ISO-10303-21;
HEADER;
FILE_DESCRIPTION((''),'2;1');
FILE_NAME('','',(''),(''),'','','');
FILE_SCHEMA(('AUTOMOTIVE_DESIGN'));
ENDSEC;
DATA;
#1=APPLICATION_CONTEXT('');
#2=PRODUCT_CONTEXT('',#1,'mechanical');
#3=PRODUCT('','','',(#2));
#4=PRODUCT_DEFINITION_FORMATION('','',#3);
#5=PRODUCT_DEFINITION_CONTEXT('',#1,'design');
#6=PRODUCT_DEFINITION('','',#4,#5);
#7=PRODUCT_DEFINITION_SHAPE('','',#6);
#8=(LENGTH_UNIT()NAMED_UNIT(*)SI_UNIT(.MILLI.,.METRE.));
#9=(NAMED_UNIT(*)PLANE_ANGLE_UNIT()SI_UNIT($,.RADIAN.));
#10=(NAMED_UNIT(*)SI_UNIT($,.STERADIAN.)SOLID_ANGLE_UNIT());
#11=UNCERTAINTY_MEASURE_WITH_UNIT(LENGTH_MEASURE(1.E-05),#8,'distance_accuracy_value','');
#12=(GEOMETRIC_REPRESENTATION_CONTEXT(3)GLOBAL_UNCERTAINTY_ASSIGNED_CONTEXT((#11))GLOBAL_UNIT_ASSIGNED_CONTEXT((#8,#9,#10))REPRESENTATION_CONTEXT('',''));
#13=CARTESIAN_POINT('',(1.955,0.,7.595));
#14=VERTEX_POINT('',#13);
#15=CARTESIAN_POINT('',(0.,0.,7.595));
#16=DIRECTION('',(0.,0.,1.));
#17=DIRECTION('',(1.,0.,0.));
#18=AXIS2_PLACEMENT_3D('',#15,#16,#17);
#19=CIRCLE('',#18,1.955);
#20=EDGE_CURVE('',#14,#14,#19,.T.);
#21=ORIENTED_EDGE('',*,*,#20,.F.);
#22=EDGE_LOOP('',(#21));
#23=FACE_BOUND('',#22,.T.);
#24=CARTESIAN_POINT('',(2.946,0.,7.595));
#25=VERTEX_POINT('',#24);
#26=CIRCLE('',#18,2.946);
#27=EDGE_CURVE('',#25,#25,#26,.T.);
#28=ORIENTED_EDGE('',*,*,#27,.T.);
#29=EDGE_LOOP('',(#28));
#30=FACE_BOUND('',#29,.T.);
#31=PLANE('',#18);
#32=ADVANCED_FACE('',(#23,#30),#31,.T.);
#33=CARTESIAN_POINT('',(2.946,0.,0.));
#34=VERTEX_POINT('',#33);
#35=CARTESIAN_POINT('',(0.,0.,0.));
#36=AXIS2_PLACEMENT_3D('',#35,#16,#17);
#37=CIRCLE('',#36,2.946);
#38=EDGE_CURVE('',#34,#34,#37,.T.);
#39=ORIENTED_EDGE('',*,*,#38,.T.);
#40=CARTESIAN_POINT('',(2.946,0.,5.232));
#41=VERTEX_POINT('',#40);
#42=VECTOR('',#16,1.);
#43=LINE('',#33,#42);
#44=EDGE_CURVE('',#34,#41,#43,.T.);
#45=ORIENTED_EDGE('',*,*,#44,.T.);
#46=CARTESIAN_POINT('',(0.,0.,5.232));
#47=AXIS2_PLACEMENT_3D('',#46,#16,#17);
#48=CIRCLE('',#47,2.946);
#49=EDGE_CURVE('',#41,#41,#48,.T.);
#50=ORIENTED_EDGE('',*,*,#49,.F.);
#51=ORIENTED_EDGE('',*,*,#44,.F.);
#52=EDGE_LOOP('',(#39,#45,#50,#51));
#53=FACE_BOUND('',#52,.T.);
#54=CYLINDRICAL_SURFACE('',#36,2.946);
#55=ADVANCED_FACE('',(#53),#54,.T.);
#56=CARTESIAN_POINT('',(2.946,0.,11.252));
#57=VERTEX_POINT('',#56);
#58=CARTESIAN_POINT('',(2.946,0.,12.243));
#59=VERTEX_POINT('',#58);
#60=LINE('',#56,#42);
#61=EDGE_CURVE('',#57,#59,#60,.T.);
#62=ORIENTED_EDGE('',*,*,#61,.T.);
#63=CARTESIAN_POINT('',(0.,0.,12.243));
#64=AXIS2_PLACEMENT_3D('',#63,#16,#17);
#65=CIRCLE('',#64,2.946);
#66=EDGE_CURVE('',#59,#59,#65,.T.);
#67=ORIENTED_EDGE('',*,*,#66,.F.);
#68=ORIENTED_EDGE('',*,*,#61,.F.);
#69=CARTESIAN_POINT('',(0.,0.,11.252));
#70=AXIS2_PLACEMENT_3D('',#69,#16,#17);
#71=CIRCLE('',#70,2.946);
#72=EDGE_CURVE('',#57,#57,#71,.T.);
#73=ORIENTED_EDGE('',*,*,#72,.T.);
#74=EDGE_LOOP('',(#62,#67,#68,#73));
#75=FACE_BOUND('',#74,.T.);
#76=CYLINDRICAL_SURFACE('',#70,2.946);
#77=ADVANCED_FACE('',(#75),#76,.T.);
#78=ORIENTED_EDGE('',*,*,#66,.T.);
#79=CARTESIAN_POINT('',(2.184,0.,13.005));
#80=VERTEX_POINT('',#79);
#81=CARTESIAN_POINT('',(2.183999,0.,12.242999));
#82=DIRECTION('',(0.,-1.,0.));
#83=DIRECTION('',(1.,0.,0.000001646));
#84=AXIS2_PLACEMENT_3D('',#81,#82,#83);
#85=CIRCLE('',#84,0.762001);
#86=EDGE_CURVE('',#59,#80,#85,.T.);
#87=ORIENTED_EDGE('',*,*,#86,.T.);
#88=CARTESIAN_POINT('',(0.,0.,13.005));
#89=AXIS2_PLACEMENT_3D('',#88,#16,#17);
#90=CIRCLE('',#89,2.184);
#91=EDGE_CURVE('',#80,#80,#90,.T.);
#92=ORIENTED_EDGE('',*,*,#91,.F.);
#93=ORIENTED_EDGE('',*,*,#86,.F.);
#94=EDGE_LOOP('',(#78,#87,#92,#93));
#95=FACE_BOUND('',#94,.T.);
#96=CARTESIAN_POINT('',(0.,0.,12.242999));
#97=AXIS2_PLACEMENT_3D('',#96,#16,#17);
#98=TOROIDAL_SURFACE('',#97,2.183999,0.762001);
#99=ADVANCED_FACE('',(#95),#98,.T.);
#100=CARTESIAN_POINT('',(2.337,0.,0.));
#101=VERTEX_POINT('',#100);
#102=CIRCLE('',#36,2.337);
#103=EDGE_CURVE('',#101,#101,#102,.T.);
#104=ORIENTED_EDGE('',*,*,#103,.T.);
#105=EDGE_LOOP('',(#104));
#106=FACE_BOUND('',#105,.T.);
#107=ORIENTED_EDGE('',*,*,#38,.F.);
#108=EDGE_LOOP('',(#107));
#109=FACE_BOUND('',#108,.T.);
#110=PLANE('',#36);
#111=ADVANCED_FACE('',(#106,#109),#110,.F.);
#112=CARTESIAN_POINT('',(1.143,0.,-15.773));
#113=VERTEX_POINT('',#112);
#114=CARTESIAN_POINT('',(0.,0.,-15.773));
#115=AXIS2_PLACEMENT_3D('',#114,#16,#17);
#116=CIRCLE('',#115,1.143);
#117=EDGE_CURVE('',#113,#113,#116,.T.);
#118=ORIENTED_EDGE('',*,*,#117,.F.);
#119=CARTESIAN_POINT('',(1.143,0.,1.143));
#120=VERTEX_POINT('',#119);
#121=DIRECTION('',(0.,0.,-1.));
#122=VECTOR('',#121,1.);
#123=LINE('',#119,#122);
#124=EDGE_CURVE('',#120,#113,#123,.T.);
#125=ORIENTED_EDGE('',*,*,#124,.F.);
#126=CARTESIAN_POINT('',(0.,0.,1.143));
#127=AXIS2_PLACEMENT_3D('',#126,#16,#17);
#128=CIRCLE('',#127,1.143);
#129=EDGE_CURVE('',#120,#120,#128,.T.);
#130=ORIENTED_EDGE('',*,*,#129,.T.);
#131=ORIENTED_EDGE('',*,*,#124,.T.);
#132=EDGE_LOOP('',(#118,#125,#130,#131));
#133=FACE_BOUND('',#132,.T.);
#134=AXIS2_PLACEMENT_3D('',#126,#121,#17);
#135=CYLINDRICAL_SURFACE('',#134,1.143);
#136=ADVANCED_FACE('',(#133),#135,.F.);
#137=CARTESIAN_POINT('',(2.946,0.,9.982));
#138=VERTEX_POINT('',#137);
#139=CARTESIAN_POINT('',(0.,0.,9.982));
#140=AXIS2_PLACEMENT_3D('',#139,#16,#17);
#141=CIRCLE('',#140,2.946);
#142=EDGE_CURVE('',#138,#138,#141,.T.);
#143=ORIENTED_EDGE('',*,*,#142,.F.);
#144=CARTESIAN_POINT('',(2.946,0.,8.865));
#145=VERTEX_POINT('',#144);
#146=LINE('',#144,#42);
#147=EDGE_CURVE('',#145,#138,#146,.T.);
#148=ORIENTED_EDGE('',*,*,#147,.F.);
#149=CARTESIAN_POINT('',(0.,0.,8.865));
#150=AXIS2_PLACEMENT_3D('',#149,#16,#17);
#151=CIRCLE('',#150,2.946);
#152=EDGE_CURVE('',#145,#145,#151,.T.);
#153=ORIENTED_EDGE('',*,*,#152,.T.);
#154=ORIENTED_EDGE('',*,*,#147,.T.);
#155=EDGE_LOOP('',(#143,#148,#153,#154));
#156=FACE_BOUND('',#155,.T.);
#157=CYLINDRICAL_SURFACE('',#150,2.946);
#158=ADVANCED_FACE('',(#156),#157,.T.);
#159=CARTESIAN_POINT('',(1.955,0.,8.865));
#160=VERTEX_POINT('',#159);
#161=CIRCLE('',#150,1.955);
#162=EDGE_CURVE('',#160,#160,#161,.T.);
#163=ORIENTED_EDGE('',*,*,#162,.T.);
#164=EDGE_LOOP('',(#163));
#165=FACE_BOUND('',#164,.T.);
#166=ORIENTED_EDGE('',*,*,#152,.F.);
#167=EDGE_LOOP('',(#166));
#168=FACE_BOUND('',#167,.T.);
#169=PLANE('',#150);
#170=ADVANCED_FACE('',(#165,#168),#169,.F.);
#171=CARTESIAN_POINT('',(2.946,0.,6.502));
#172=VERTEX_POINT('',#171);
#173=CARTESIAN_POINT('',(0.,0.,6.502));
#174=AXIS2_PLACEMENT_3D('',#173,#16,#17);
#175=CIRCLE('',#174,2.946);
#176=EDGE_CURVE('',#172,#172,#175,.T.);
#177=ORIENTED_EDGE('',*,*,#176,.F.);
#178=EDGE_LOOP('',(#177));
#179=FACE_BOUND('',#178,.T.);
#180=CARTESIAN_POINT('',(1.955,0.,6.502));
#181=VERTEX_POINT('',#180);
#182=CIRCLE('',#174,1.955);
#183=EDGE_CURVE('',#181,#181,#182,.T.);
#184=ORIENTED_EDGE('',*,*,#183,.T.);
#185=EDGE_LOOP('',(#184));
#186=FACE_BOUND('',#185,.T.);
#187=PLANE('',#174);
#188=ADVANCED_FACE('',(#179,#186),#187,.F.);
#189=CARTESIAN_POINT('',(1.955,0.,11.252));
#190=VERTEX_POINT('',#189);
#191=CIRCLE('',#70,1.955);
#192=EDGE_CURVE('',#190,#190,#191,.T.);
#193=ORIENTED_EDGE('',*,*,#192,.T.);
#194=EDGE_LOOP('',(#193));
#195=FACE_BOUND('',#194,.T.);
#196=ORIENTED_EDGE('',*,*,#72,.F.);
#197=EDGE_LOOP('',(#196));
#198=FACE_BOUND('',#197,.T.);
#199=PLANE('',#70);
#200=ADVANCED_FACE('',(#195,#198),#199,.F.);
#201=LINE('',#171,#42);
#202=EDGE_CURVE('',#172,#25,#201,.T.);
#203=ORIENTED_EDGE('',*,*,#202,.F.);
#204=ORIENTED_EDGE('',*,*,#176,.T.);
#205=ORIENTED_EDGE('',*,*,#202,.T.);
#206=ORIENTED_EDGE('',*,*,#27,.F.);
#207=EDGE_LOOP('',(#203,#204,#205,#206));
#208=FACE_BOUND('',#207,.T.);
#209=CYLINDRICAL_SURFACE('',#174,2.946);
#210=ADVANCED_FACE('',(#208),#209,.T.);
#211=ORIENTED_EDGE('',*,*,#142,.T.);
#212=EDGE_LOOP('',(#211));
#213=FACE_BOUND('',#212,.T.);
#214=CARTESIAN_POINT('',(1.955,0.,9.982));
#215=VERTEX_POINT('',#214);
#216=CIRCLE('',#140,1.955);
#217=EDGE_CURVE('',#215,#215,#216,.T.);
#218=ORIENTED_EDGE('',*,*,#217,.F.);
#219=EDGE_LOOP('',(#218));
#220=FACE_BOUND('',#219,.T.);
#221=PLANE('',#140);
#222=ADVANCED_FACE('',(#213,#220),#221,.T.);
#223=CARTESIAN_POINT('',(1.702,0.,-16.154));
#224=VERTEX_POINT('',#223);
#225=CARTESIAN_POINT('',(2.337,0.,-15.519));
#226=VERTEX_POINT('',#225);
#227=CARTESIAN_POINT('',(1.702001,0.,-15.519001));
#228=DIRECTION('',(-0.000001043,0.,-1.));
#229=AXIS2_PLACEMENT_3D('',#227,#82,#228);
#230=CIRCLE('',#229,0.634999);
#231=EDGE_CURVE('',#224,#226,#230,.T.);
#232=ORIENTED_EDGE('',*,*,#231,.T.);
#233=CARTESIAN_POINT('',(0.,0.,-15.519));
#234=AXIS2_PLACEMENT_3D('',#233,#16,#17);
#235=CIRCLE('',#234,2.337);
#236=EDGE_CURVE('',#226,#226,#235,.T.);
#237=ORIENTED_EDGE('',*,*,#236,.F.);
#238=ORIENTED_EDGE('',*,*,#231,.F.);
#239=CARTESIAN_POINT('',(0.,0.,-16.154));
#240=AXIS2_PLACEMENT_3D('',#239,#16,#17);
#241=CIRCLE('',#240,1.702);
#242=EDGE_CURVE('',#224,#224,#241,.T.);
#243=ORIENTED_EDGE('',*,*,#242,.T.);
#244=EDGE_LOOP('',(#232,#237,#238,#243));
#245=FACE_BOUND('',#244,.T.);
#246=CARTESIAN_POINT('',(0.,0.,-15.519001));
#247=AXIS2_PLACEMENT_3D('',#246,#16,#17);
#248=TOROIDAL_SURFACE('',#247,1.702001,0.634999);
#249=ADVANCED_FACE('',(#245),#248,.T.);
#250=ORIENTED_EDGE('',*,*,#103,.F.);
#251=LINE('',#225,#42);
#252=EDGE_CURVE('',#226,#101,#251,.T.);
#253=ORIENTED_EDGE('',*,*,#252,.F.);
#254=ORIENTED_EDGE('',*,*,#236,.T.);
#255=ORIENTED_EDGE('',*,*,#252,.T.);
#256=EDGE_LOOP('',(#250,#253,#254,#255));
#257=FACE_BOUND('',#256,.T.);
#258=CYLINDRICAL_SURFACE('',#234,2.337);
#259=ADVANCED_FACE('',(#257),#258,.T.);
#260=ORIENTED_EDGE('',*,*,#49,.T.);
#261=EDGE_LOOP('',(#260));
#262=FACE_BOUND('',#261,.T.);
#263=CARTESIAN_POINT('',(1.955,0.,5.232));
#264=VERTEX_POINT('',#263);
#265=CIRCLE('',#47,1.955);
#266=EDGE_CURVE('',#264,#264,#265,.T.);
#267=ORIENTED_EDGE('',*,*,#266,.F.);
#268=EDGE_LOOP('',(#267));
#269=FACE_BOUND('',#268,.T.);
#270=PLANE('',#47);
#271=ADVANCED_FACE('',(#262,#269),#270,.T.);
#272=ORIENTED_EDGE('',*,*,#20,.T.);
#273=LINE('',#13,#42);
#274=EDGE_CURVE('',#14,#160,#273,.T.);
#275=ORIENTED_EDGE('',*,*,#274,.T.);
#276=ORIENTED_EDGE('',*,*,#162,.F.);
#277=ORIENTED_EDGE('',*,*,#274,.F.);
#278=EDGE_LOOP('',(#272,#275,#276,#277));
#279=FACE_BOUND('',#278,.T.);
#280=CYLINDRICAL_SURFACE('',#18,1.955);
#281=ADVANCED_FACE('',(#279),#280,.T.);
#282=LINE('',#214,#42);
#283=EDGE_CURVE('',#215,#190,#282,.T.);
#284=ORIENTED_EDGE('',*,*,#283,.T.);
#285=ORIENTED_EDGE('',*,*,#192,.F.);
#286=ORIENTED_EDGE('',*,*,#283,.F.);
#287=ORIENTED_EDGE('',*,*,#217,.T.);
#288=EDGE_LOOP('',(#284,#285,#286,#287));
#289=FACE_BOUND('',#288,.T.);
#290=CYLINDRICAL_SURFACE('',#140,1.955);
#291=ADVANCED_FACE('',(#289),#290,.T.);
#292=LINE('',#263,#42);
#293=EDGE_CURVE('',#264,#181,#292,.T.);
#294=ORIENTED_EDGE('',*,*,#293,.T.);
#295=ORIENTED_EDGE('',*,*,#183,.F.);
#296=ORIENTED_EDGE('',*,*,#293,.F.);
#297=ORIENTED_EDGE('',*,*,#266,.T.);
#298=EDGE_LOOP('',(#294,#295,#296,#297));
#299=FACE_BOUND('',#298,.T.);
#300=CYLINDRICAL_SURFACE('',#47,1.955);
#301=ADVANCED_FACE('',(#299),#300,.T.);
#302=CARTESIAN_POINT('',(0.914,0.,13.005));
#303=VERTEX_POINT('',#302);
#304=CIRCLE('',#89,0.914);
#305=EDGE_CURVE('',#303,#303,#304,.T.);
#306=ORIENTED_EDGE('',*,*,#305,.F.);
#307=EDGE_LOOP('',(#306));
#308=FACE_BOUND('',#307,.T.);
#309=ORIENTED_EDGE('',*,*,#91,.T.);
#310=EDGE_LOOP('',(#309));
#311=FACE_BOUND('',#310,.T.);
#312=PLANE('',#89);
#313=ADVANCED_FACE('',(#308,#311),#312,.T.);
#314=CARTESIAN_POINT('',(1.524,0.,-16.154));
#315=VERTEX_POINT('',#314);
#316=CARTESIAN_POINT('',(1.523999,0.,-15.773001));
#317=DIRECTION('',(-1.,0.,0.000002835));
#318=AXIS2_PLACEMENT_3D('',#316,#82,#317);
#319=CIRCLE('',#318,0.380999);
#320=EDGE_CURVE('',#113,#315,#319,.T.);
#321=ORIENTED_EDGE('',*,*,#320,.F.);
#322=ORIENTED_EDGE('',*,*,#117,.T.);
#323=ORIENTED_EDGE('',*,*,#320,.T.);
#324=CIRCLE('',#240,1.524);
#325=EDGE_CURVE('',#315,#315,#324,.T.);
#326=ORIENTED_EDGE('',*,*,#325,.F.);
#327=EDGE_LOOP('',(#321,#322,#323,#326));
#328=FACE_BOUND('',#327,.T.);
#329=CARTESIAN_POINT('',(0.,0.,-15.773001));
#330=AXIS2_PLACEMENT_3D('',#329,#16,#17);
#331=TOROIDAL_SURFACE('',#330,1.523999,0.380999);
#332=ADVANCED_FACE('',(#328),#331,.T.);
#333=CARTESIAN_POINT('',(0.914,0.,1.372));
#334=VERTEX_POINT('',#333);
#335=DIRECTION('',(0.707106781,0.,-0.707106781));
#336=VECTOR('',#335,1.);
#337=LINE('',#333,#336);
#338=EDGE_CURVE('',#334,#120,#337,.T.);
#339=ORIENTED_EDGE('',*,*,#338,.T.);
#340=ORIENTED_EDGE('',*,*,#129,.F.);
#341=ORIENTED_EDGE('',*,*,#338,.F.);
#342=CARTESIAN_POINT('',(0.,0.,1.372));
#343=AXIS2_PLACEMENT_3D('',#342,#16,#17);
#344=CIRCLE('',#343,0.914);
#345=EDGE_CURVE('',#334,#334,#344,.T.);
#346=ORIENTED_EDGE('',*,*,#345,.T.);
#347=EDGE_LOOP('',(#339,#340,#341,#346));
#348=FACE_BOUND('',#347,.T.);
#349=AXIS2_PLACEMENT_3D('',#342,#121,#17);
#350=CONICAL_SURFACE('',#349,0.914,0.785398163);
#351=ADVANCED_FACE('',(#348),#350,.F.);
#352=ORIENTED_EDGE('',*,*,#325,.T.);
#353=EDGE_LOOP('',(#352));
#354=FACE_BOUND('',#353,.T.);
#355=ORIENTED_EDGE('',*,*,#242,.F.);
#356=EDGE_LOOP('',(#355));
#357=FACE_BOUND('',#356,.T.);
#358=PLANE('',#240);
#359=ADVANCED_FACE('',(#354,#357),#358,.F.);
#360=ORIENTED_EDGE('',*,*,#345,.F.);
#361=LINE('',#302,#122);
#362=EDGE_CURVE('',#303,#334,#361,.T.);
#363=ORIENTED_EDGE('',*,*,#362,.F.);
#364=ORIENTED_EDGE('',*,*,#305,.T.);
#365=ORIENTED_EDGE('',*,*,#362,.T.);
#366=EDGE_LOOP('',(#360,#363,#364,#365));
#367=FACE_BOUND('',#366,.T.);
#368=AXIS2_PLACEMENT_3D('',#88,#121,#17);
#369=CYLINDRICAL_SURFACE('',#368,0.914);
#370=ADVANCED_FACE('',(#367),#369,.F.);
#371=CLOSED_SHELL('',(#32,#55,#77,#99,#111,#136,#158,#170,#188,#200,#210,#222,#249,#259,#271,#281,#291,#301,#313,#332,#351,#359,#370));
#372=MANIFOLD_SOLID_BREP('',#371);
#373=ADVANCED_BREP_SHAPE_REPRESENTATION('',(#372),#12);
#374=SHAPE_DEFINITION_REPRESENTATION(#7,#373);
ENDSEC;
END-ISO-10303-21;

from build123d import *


with BuildPart() as f1:
    # F0 (on Front) → F1 (revolve)
    with BuildSketch(Plane.XZ):
        with BuildLine():
            Line((0.914, 13.005), (0.914, 1.372))
            Line((0.914, 1.372), (1.143, 1.143))
            Line((1.143, 1.143), (1.143, -15.773))
            ThreePointArc((1.143, -15.773), (1.254592, -16.042408), (1.524, -16.154))
            Line((1.524, -16.154), (1.702, -16.154))
            ThreePointArc((1.702, -16.154), (2.151013, -15.968013), (2.337, -15.519))
            Line((2.337, -15.519), (2.337, 0))
            Line((2.337, 0), (2.946, 0))
            Line((2.946, 0), (2.946, 5.232))
            Line((2.946, 5.232), (1.955, 5.232))
            Line((1.955, 5.232), (1.955, 6.502))
            Line((1.955, 6.502), (2.946, 6.502))
            Line((2.946, 6.502), (2.946, 7.595))
            Line((2.946, 7.595), (1.955, 7.595))
            Line((1.955, 7.595), (1.955, 8.865))
            Line((1.955, 8.865), (2.946, 8.865))
            Line((2.946, 8.865), (2.946, 9.982))
            Line((2.946, 9.982), (1.955, 9.982))
            Line((1.955, 9.982), (1.955, 11.252))
            Line((1.955, 11.252), (2.946, 11.252))
            Line((2.946, 11.252), (2.946, 12.243))
            ThreePointArc((2.946, 12.243), (2.722815, 12.781815), (2.184, 13.005))
            Line((2.184, 13.005), (0.914, 13.005))
        make_face()
    revolve(axis=Axis((0, 0, 11.256295), (0, 0, 1)))


solid = f1.part
